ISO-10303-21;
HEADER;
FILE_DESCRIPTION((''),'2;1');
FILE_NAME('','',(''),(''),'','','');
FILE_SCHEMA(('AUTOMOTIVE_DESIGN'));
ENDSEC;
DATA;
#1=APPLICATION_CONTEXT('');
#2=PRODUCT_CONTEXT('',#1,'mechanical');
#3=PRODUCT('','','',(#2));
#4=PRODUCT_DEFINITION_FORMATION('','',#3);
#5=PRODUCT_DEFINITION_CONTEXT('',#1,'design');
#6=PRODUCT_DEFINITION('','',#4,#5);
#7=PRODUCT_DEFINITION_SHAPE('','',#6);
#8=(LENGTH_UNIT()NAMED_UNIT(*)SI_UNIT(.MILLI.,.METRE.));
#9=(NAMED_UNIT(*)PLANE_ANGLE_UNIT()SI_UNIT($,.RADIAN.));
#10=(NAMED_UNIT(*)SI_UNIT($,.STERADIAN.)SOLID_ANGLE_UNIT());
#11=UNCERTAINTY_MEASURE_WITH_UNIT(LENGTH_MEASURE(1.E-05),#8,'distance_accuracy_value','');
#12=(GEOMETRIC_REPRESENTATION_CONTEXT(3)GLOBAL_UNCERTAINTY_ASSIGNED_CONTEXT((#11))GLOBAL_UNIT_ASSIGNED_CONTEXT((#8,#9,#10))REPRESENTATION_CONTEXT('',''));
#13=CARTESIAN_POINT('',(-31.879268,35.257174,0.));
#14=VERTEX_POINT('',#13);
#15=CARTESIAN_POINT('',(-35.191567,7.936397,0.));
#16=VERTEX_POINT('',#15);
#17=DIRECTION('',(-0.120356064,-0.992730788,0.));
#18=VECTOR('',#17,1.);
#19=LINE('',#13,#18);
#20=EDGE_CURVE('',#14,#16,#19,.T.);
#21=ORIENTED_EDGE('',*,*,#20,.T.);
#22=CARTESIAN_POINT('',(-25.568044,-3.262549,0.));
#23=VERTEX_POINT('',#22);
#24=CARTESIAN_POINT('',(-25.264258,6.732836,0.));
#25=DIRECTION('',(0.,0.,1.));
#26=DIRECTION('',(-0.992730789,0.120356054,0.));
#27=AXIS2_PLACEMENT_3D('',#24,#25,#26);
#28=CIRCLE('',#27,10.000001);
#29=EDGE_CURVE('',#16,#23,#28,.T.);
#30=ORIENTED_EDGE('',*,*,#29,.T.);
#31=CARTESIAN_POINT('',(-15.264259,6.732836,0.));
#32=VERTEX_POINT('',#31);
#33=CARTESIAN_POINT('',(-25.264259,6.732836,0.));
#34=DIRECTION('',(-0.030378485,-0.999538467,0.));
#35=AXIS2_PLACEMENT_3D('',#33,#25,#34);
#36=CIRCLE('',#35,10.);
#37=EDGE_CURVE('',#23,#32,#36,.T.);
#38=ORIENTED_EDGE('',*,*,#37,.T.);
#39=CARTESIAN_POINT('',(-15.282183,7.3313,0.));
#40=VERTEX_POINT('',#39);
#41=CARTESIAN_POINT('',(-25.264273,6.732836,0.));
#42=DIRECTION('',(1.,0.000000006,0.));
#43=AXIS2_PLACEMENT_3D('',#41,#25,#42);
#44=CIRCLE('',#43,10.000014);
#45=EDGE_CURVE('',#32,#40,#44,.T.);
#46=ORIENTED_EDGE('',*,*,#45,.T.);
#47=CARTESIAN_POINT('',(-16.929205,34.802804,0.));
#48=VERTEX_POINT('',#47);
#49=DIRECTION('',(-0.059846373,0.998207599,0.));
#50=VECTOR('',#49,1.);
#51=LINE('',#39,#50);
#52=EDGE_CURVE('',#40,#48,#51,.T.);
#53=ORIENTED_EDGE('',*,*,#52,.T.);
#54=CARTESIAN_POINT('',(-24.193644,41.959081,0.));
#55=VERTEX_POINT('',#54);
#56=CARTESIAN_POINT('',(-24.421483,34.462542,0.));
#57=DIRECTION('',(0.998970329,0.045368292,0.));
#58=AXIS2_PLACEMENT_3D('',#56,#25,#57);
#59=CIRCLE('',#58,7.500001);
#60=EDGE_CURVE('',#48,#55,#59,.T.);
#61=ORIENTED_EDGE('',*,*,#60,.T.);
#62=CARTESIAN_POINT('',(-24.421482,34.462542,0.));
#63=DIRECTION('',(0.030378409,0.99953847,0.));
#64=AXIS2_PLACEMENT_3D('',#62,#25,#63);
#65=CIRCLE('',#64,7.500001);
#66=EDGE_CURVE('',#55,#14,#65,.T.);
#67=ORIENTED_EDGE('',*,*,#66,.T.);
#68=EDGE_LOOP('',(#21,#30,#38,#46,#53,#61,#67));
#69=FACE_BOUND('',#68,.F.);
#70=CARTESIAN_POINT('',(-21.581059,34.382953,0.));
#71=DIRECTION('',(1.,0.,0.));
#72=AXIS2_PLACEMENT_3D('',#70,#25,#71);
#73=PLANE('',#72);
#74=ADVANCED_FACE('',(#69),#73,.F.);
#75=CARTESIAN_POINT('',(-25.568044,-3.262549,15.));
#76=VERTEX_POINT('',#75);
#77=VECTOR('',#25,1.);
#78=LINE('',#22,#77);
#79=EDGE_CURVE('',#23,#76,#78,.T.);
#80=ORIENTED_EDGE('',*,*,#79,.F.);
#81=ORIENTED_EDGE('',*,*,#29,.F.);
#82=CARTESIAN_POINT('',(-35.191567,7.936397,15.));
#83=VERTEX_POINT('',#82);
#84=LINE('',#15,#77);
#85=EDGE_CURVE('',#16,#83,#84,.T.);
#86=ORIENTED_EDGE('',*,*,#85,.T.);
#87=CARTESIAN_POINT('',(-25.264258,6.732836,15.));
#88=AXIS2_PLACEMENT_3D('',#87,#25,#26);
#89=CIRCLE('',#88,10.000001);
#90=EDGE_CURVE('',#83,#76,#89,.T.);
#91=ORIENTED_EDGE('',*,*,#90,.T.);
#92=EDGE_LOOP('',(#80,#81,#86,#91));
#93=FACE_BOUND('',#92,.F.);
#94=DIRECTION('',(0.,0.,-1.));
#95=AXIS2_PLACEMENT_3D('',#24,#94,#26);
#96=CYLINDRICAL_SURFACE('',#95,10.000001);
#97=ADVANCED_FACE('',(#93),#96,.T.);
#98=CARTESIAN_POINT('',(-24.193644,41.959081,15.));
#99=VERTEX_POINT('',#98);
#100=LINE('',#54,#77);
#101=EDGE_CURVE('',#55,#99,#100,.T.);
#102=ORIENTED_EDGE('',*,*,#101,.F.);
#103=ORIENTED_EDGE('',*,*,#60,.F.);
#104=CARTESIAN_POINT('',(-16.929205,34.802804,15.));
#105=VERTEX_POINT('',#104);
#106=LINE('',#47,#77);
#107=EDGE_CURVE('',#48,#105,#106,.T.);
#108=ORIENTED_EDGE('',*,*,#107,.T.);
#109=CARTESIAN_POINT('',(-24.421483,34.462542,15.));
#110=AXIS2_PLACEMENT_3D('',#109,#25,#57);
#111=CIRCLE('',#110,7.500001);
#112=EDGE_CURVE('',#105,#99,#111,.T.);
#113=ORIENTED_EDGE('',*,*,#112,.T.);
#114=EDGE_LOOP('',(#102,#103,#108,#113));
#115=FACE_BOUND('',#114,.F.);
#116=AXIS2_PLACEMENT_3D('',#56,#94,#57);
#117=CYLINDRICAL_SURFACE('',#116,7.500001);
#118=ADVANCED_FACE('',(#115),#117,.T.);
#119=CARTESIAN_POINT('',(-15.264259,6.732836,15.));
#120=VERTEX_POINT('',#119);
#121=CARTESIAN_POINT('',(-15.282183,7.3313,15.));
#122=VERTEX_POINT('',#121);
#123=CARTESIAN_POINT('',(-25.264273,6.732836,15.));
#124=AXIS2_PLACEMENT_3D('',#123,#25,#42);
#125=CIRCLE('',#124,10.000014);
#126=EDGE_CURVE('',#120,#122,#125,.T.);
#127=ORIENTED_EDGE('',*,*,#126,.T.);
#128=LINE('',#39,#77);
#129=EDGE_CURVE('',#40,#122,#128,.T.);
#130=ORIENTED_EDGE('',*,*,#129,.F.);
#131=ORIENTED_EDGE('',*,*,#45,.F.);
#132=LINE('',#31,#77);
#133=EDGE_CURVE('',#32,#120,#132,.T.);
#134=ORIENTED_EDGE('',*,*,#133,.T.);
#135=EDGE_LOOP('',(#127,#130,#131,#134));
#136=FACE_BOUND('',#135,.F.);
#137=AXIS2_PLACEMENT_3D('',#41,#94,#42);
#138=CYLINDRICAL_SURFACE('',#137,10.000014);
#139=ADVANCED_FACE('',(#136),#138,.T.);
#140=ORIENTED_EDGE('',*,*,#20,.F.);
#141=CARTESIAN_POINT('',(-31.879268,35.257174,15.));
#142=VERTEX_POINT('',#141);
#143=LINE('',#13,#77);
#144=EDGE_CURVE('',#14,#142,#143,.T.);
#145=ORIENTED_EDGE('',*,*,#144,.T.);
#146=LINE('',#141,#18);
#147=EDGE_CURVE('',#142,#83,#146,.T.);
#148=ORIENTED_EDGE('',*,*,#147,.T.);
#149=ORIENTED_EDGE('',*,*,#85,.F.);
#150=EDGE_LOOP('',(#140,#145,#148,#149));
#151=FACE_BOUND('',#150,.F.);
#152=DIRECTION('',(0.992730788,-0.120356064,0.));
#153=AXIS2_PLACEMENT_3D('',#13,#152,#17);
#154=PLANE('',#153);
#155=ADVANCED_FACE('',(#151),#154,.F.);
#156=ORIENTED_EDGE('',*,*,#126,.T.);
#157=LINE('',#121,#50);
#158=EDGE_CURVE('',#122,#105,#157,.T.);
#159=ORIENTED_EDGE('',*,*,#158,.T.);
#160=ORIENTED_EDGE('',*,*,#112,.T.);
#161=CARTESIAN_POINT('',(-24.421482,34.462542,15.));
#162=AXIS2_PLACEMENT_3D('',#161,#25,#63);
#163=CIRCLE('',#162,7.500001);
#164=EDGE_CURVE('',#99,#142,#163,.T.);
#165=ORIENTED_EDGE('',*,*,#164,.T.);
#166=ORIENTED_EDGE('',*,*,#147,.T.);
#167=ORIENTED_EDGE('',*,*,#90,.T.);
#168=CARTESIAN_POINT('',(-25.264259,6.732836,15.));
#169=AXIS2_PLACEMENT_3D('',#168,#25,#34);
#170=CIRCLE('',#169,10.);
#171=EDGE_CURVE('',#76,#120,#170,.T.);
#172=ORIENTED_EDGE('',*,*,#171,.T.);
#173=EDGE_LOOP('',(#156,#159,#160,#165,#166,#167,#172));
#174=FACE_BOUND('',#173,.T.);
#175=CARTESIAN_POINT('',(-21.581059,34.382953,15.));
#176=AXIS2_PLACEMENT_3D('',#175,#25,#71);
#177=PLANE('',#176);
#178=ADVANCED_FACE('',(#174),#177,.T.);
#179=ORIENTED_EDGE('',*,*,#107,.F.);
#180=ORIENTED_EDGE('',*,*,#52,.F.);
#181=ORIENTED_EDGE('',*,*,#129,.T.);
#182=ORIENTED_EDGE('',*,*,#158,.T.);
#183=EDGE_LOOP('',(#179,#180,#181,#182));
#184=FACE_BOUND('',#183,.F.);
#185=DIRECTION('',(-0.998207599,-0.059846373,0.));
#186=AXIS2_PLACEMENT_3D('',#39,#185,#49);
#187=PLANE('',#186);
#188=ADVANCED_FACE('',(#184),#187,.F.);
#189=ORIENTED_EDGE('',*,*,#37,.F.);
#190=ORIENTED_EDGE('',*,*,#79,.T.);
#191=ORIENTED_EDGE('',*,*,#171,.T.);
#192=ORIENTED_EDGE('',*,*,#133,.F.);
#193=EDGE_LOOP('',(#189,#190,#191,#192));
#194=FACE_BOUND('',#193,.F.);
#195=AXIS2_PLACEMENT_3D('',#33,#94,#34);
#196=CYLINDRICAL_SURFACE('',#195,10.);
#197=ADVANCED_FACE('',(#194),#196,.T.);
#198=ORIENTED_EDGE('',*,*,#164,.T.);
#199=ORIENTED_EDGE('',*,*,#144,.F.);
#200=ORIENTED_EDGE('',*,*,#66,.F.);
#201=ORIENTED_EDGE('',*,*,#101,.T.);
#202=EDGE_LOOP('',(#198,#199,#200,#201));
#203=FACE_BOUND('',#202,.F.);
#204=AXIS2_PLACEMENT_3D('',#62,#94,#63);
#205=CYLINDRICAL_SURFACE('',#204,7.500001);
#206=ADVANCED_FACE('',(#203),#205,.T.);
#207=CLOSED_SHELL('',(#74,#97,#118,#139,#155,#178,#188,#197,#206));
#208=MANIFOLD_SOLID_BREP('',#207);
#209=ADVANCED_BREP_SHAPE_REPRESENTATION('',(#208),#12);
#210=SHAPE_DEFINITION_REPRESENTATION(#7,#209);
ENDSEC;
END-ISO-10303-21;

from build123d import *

# Parameters (mm, degrees)
F1_DEPTH = 15


with BuildPart() as f1:
    # F0 (on Top) → F1 (new body)
    with BuildSketch(Plane.XY):
        with BuildLine():
            ThreePointArc((-24.649322, 26.966004), (-19.199356, 29.079291), (-16.921483, 34.462543))
            ThreePointArc((-16.921483, 34.462543), (-16.923414, 34.632717), (-16.929205, 34.802804))
            ThreePointArc((-16.929205, 34.802804), (-19.158107, 39.80547), (-24.193644, 41.959081))
            Line((-24.193644, 41.959081), (-24.421483, 34.462543))
            Line((-24.421483, 34.462543), (-24.649322, 26.966004))
        make_face()
        with BuildLine():
            ThreePointArc((-16.929205, 34.802804), (-16.923414, 34.632717), (-16.921483, 34.462543))
            ThreePointArc((-16.921483, 34.462543), (-19.199356, 29.079291), (-24.649322, 26.966004))
            Line((-24.649322, 26.966004), (-24.960474, 16.728221))
            ThreePointArc((-24.960474, 16.728221), (-18.298251, 13.907425), (-15.282183, 7.3313))
            Line((-15.282183, 7.3313), (-16.929205, 34.802804))
        make_face()
        with BuildLine():
            Line((-24.960474, 16.728221), (-24.649322, 26.966004))
            ThreePointArc((-24.649322, 26.966004), (-30.074188, 29.533352), (-31.879268, 35.257174))
            Line((-31.879268, 35.257174), (-35.191567, 7.936397))
            ThreePointArc((-35.191567, 7.936397), (-31.781704, 14.317222), (-24.960474, 16.728221))
        make_face()
        with BuildLine():
            ThreePointArc((-31.879268, 35.257174), (-30.074188, 29.533352), (-24.649322, 26.966004))
            Line((-24.649322, 26.966004), (-24.421483, 34.462543))
            Line((-24.421483, 34.462543), (-24.193644, 41.959081))
            ThreePointArc((-24.193644, 41.959081), (-29.350673, 40.115248), (-31.879268, 35.257174))
        make_face()
        with BuildLine():
            ThreePointArc((-15.264259, 6.732836), (-15.268741, 7.032202), (-15.282183, 7.3313))
            ThreePointArc((-15.282183, 7.3313), (-18.298251, 13.907425), (-24.960474, 16.728221))
            Line((-24.960474, 16.728221), (-25.264259, 6.732836))
            Line((-25.264259, 6.732836), (-25.568044, -3.262549))
            ThreePointArc((-25.568044, -3.262549), (-18.301424, -0.444833), (-15.264259, 6.732836))
        make_face()
        with BuildLine():
            Line((-25.264259, 6.732836), (-24.960474, 16.728221))
            ThreePointArc((-24.960474, 16.728221), (-31.781704, 14.317222), (-35.191567, 7.936397))
            ThreePointArc((-35.191567, 7.936397), (-32.848645, 0.215391), (-25.568044, -3.262549))
            Line((-25.568044, -3.262549), (-25.264259, 6.732836))
        make_face()
    extrude(amount=F1_DEPTH)


solid = f1.part
